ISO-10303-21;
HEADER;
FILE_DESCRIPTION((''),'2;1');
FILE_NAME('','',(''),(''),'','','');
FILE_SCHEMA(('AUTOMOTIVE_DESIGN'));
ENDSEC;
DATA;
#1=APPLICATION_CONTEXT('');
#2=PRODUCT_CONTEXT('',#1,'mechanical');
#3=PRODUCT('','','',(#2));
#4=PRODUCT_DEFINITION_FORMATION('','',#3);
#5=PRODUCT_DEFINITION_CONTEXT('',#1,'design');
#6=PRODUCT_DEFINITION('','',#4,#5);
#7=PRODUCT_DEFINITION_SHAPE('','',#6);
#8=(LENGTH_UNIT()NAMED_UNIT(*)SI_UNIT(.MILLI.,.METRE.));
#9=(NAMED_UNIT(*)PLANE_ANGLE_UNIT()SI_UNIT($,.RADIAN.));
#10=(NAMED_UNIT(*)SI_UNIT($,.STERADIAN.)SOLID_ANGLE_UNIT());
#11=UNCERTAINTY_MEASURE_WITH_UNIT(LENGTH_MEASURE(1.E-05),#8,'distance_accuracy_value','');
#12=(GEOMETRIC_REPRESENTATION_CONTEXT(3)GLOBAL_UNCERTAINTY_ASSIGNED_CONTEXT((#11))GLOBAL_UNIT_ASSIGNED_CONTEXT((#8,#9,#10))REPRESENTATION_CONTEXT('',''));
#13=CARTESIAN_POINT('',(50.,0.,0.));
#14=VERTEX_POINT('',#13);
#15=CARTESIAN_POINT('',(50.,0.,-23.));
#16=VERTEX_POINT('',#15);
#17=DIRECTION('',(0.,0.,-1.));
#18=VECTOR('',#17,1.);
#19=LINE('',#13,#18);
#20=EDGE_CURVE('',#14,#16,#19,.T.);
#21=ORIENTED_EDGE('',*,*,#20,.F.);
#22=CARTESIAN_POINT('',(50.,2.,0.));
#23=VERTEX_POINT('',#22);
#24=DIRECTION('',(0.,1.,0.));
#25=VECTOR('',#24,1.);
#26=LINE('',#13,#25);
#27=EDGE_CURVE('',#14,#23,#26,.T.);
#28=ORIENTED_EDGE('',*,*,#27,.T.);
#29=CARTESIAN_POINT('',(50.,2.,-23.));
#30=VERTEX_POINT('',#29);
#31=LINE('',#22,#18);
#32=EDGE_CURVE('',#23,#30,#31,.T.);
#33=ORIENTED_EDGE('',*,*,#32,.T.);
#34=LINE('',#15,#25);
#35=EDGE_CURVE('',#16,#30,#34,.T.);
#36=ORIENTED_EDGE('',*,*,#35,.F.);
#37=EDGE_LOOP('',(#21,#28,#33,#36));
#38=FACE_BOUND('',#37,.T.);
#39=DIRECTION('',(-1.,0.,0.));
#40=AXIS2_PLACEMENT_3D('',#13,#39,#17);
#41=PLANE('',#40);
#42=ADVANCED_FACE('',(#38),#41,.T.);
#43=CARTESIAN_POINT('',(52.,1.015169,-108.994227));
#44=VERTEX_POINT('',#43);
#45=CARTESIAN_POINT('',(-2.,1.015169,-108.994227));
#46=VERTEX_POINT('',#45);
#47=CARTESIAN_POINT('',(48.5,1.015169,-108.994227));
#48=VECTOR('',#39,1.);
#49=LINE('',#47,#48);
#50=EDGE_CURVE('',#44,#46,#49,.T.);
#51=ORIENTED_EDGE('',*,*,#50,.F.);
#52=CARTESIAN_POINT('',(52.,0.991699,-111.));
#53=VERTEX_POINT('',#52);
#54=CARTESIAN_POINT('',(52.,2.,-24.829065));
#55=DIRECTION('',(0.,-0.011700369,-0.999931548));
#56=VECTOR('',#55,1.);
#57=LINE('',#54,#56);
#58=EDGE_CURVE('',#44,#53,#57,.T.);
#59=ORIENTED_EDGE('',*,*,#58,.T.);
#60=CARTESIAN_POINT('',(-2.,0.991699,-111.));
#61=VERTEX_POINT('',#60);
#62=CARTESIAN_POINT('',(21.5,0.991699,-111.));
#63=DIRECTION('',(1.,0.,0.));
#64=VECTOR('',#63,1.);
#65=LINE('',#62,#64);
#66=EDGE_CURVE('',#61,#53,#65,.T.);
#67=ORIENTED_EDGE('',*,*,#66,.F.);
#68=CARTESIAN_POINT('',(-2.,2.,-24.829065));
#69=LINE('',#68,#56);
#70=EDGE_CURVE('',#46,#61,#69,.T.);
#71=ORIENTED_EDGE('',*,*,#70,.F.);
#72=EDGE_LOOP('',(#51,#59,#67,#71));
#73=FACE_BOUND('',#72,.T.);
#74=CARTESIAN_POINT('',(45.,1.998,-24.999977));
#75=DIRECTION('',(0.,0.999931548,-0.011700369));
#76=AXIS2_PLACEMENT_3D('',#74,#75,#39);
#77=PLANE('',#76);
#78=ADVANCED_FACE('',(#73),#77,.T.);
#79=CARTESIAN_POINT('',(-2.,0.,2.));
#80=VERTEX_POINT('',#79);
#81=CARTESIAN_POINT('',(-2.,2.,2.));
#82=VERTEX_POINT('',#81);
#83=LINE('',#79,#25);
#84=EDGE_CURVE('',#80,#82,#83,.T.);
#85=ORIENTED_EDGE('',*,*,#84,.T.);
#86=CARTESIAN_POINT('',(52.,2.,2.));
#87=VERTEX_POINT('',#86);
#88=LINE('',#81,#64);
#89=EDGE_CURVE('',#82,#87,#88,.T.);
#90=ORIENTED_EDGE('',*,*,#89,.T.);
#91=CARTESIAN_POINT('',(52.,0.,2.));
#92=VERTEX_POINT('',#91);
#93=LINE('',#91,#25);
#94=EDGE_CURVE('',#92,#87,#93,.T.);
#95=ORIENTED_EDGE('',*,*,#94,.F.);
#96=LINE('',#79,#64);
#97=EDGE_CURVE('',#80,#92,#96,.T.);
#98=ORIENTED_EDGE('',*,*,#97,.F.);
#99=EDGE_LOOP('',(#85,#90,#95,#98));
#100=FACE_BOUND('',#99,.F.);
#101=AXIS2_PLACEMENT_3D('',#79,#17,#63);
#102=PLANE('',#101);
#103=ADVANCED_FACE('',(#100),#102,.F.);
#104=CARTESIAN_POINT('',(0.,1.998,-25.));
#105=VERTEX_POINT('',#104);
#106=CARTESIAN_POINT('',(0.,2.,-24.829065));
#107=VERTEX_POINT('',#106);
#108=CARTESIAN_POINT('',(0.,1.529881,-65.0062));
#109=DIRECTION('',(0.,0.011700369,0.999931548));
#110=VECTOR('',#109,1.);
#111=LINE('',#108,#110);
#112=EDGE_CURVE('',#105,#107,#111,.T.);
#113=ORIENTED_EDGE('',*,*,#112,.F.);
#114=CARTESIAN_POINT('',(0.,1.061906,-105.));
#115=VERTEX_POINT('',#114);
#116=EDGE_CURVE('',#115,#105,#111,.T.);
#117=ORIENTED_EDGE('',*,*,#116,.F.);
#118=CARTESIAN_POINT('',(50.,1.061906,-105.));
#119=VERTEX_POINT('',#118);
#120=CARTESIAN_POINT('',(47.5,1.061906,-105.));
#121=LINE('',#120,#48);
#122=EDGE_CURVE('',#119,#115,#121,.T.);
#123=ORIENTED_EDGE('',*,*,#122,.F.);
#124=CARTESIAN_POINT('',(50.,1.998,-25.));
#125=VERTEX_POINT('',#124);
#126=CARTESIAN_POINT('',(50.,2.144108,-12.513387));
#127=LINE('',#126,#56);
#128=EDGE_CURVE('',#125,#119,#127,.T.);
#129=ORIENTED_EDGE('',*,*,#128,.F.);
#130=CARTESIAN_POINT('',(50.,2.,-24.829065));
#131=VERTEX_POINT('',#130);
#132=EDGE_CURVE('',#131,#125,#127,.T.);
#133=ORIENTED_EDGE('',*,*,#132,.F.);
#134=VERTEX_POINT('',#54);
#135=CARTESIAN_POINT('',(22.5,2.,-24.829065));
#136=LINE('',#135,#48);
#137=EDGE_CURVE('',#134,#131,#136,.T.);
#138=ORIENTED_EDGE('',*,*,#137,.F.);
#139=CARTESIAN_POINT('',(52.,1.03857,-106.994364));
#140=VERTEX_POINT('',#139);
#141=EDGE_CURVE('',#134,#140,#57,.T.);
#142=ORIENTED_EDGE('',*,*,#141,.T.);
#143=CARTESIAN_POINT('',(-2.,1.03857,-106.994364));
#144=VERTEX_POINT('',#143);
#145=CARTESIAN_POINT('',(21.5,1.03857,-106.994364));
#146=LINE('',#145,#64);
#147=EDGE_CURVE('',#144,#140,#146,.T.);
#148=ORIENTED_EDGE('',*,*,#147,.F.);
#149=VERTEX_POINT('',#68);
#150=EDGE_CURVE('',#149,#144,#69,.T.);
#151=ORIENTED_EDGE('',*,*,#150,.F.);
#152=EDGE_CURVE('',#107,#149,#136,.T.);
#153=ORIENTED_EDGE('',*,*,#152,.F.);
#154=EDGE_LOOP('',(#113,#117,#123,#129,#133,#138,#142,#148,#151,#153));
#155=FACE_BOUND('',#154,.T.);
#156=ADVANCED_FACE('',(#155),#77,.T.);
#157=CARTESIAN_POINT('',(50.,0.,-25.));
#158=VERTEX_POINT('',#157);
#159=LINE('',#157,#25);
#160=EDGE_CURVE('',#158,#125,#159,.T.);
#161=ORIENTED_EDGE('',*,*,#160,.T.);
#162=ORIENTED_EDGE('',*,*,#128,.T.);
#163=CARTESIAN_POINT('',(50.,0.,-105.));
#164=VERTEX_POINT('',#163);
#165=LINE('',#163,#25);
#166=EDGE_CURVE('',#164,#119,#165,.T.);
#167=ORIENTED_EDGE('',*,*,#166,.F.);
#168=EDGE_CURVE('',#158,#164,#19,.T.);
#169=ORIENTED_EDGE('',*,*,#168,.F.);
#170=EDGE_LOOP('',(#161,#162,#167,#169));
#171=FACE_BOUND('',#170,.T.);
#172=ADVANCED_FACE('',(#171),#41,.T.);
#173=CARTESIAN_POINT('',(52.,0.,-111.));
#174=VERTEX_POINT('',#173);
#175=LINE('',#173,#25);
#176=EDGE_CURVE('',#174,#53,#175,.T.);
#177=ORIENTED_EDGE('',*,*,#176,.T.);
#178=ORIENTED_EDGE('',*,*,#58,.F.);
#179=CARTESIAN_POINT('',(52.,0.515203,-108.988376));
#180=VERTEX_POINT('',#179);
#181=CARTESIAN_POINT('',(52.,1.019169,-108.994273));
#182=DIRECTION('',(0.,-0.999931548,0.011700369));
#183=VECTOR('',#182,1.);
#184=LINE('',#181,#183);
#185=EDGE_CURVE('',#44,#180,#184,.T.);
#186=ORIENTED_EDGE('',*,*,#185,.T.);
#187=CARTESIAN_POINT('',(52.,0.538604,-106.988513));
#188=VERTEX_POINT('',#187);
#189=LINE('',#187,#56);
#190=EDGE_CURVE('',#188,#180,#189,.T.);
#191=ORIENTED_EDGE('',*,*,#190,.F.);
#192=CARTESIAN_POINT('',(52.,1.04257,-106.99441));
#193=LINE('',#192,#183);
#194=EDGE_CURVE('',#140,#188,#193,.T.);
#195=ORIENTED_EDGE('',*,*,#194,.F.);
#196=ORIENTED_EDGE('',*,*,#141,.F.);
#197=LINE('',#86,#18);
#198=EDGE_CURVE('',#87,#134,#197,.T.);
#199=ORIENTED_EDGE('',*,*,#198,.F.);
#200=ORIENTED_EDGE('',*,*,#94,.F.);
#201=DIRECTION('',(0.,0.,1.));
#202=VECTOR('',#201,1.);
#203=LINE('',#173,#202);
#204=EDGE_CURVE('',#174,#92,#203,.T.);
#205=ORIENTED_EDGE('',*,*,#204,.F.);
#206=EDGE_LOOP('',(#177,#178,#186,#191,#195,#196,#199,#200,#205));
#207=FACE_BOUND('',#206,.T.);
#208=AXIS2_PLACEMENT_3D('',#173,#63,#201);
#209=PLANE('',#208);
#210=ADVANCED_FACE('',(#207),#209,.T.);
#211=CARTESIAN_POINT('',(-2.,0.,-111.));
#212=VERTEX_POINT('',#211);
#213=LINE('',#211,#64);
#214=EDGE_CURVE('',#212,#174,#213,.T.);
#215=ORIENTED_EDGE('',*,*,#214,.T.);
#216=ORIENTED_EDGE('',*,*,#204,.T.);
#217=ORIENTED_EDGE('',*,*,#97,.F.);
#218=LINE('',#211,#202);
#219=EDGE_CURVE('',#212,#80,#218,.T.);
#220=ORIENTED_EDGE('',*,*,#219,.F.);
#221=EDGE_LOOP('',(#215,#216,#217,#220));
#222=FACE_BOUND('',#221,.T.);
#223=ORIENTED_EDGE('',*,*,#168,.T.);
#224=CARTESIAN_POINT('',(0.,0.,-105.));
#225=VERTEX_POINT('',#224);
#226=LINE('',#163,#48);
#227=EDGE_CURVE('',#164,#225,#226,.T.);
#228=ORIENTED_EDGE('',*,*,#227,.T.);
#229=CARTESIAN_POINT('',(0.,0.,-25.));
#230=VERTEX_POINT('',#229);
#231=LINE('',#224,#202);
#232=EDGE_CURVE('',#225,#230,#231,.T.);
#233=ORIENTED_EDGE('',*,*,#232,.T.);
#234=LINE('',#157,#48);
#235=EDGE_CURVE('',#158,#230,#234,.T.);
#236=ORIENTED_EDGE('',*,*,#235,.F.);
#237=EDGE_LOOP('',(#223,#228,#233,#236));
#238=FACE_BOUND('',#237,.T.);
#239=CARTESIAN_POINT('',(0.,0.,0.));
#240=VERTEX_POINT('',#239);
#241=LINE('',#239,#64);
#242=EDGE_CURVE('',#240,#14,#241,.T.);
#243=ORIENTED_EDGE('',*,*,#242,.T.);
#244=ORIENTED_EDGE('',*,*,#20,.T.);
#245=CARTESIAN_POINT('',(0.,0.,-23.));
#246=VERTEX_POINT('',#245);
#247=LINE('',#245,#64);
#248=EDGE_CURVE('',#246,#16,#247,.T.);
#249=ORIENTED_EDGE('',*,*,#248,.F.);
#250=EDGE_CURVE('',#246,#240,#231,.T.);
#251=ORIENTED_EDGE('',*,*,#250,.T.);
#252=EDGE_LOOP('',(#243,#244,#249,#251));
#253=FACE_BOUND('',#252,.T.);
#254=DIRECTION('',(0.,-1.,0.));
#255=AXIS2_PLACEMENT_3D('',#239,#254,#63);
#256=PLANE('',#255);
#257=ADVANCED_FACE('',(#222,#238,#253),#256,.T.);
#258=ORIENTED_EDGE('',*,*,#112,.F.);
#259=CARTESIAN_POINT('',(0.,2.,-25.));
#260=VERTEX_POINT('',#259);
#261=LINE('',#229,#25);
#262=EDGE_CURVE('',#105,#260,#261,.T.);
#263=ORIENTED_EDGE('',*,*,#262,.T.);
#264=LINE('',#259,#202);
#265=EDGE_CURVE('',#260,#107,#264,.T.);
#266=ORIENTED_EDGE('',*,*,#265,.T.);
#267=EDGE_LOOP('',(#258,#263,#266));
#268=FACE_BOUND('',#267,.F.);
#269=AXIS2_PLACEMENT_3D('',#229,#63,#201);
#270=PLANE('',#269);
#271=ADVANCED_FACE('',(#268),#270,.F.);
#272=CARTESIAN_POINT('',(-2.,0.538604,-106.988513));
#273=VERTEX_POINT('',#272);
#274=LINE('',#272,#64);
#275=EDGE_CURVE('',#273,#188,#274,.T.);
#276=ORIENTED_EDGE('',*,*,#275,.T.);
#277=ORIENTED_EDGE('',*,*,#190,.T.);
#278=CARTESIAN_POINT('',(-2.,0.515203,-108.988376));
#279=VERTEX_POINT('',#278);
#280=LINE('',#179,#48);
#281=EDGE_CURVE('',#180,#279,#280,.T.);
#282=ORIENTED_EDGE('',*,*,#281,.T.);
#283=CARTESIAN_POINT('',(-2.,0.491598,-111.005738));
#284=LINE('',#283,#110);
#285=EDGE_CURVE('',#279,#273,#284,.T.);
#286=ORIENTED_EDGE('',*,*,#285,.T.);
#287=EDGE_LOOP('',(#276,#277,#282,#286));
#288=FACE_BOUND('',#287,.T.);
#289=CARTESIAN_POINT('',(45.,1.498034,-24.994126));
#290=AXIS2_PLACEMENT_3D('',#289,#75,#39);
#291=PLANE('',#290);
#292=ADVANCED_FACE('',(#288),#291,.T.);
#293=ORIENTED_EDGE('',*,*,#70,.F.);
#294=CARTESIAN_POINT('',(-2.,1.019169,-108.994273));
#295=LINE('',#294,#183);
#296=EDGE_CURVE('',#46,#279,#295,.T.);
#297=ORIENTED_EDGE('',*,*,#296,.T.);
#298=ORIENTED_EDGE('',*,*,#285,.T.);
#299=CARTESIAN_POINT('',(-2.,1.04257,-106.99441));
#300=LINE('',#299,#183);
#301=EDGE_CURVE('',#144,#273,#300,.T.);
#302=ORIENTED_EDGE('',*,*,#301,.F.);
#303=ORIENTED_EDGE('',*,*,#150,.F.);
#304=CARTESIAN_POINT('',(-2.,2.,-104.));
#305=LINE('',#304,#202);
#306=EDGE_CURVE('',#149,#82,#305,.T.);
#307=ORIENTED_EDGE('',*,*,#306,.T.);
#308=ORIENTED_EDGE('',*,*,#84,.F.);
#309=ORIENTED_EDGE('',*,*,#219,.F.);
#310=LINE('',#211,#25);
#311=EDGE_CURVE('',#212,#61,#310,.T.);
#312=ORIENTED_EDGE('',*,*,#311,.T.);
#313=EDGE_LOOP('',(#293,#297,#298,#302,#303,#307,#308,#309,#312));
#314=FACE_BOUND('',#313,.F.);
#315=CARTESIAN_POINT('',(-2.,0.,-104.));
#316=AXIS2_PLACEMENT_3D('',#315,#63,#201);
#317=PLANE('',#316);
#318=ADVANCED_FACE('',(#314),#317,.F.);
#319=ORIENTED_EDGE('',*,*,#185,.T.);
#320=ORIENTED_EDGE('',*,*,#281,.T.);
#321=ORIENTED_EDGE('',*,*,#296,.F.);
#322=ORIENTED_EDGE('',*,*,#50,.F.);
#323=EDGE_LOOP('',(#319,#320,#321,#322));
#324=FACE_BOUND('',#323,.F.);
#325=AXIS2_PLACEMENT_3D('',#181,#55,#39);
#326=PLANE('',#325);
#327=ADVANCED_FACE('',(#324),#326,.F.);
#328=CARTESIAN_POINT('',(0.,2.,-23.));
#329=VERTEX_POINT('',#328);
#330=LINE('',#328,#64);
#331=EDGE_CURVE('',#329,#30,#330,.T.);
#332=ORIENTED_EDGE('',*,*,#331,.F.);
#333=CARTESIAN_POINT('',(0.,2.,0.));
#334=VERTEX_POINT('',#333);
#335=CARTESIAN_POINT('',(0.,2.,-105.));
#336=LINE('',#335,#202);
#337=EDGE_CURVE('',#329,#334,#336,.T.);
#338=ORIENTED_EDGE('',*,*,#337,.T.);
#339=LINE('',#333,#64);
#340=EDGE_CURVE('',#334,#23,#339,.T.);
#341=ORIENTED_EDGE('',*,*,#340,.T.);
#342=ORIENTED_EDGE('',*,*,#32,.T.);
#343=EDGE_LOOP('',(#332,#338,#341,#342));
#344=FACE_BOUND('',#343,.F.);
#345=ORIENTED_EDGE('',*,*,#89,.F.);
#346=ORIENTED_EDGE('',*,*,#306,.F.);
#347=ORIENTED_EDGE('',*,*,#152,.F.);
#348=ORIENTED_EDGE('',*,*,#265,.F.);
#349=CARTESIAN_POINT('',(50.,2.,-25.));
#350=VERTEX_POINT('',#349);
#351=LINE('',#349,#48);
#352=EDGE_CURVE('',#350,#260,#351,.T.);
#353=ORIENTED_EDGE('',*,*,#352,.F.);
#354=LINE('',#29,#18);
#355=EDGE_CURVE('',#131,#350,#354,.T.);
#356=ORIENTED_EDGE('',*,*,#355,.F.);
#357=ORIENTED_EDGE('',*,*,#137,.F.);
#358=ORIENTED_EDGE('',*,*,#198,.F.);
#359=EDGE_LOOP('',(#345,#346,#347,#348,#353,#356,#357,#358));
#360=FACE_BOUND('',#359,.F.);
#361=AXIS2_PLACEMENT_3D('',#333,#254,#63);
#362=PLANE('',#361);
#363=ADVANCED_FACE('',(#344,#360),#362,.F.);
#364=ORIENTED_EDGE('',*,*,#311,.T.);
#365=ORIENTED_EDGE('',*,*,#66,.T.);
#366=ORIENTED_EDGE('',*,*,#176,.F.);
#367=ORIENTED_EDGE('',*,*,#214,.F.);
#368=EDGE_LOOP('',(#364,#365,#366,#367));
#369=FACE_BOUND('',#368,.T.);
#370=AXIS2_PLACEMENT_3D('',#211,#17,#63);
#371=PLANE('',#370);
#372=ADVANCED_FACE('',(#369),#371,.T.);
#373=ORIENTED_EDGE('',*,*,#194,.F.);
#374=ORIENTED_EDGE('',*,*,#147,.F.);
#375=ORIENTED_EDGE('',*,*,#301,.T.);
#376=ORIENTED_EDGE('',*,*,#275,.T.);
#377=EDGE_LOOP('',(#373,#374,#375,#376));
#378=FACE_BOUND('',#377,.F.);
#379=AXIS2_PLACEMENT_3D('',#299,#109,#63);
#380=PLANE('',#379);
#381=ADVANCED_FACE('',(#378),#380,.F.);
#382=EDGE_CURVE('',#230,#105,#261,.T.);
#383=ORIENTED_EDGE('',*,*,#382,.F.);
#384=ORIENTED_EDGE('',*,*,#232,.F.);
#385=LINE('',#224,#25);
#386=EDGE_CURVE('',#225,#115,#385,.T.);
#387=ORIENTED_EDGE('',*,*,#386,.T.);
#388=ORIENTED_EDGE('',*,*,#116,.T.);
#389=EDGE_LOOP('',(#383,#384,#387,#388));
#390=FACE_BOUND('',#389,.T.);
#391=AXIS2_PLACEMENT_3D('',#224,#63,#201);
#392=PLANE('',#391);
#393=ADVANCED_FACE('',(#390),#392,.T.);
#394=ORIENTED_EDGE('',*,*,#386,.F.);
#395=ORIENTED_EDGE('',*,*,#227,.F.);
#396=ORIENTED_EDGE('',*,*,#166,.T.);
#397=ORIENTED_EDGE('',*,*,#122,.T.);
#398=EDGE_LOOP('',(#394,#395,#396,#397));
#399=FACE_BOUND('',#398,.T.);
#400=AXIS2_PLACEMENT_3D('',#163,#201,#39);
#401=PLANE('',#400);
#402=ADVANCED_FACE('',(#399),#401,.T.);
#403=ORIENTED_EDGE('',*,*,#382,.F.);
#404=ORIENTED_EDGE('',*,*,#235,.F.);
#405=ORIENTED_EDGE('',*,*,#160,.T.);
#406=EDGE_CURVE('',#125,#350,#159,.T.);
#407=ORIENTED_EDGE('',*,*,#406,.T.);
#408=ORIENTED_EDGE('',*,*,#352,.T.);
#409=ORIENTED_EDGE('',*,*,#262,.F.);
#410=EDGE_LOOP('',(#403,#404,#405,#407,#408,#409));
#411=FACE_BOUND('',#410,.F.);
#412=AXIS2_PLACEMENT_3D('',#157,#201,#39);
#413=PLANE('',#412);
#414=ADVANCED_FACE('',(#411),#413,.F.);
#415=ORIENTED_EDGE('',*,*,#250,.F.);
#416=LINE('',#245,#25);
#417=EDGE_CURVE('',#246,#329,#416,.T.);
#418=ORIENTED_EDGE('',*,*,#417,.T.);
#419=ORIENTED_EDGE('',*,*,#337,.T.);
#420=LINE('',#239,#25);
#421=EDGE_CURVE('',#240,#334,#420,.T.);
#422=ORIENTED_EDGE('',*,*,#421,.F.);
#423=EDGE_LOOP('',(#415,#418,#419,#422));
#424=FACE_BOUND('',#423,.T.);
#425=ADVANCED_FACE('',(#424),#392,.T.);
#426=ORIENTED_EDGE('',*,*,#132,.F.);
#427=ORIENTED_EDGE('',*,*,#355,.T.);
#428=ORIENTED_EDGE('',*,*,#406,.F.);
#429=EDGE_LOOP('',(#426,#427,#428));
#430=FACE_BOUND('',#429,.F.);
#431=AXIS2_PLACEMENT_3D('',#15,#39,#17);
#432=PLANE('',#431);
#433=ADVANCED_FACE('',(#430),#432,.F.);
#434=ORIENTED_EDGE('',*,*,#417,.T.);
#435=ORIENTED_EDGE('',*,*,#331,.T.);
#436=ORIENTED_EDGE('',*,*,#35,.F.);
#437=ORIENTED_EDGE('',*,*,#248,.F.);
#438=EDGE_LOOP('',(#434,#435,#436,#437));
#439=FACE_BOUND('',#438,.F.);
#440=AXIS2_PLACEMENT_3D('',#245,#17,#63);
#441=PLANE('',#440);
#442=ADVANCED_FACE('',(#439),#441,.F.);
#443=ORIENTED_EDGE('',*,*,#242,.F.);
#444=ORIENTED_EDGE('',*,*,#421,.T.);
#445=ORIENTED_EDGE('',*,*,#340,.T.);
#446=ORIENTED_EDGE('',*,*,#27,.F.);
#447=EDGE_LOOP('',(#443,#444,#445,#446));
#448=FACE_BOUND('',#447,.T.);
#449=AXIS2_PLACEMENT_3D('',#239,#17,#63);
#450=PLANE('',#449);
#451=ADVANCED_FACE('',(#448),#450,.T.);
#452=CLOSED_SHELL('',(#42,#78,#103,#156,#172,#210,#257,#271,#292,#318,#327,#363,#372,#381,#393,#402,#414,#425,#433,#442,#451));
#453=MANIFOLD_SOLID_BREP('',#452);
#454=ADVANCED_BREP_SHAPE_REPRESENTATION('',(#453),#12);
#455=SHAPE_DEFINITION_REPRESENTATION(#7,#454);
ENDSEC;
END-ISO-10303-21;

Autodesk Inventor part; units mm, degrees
ref_plane "YZ Plane" through (0, 0, 0) normal (1, 0, 0) x (0, 1, 0)
ref_plane "XZ Plane" through (0, 0, 0) normal (0, 1, 0) x (-1, 0, 0)
ref_plane "XY Plane" through (0, 0, 0) normal (0, 0, 1) x (1, 0, 0)
sketch "Sketch1" plane through (0, 0, 0) normal (0, 1, 0) x (-1, 0, 0)
  line L0 (0, 0) -> (-50, 0)
  line L1 (-50, 0) -> (-50, -105)
  line L2 (-50, -105) -> (0, -105)
  line L3 (0, -105) -> (0, 0)
  line L4 (2, 2) -> (-52, 2)
  line L5 (-52, 2) -> (-52, -104)
  line L6 (2, -104) -> (2, 2)
  line L7 (2, -104) -> (2, -111)
  line L8 (2, -111) -> (-52, -111)
  line L9 (-52, -111) -> (-52, -102)
  dimension "d0" = 50
  dimension "d1" = 105
  dimension "d23" = 6
  dimension "d24" = 2
extrude "Extrusion1" add sketch "Sketch1" along normal blind 2
ref_plane "Work Plane1" through (45, 2, -25) normal (0, 0.9999, -0.0117) x (-1, 0, 0)
sketch "Sketch3" plane through (45, 2, -25) normal (0, 0.9999, -0.0117) x (-1, 0, 0)
  line L0 (51, 33) -> (-14, 33)
  line L1 (-14, 33) -> (-14, -92)
  line L2 (-14, -92) -> (51, -92)
  line L3 (51, -92) -> (51, 33)
  point P0 (45, 24.9749)
extrude "Extrusion3" cut sketch "Sketch3" along normal blind 2
sketch "Sketch7" plane through (45, 2, -25) normal (0, 0.9999, -0.0117) x (-1, 0, 0)
  line L0 (47, -86.0175) -> (47, 26.9748) projected
  line L1 (47, -82) -> (-7, -82)
  line L2 (-7, -82) -> (-7, -84)
  line L3 (-7, -84) -> (47, -84)
  line L4 (47, -84) -> (47, -82)
  point P0 (45, 24.9749)
extrude "Extrusion6" cut sketch "Sketch7" against normal blind 0.5
sketch "Sketch8" plane through (0, 0, 0) normal (0, -1, 0) x (1, 0, 0)
  line L0 (50, -25) -> (50, 0) construction
  line L1 (50, 0) -> (50, -105) construction
  line L2 (50, -105) -> (50, -25) construction
  line L3 (50, -25) -> (50, -105) projected
  line L4 (50, -25) -> (0, -25)
  line L5 (0, -25) -> (0, -23)
  line L6 (0, -23) -> (50, -23)
  line L7 (50, -23) -> (50, -25)
  point P0 (0, 0)
extrude "Extrusion7" add sketch "Sketch8" against normal blind 2
properties part number "wing1.1"
